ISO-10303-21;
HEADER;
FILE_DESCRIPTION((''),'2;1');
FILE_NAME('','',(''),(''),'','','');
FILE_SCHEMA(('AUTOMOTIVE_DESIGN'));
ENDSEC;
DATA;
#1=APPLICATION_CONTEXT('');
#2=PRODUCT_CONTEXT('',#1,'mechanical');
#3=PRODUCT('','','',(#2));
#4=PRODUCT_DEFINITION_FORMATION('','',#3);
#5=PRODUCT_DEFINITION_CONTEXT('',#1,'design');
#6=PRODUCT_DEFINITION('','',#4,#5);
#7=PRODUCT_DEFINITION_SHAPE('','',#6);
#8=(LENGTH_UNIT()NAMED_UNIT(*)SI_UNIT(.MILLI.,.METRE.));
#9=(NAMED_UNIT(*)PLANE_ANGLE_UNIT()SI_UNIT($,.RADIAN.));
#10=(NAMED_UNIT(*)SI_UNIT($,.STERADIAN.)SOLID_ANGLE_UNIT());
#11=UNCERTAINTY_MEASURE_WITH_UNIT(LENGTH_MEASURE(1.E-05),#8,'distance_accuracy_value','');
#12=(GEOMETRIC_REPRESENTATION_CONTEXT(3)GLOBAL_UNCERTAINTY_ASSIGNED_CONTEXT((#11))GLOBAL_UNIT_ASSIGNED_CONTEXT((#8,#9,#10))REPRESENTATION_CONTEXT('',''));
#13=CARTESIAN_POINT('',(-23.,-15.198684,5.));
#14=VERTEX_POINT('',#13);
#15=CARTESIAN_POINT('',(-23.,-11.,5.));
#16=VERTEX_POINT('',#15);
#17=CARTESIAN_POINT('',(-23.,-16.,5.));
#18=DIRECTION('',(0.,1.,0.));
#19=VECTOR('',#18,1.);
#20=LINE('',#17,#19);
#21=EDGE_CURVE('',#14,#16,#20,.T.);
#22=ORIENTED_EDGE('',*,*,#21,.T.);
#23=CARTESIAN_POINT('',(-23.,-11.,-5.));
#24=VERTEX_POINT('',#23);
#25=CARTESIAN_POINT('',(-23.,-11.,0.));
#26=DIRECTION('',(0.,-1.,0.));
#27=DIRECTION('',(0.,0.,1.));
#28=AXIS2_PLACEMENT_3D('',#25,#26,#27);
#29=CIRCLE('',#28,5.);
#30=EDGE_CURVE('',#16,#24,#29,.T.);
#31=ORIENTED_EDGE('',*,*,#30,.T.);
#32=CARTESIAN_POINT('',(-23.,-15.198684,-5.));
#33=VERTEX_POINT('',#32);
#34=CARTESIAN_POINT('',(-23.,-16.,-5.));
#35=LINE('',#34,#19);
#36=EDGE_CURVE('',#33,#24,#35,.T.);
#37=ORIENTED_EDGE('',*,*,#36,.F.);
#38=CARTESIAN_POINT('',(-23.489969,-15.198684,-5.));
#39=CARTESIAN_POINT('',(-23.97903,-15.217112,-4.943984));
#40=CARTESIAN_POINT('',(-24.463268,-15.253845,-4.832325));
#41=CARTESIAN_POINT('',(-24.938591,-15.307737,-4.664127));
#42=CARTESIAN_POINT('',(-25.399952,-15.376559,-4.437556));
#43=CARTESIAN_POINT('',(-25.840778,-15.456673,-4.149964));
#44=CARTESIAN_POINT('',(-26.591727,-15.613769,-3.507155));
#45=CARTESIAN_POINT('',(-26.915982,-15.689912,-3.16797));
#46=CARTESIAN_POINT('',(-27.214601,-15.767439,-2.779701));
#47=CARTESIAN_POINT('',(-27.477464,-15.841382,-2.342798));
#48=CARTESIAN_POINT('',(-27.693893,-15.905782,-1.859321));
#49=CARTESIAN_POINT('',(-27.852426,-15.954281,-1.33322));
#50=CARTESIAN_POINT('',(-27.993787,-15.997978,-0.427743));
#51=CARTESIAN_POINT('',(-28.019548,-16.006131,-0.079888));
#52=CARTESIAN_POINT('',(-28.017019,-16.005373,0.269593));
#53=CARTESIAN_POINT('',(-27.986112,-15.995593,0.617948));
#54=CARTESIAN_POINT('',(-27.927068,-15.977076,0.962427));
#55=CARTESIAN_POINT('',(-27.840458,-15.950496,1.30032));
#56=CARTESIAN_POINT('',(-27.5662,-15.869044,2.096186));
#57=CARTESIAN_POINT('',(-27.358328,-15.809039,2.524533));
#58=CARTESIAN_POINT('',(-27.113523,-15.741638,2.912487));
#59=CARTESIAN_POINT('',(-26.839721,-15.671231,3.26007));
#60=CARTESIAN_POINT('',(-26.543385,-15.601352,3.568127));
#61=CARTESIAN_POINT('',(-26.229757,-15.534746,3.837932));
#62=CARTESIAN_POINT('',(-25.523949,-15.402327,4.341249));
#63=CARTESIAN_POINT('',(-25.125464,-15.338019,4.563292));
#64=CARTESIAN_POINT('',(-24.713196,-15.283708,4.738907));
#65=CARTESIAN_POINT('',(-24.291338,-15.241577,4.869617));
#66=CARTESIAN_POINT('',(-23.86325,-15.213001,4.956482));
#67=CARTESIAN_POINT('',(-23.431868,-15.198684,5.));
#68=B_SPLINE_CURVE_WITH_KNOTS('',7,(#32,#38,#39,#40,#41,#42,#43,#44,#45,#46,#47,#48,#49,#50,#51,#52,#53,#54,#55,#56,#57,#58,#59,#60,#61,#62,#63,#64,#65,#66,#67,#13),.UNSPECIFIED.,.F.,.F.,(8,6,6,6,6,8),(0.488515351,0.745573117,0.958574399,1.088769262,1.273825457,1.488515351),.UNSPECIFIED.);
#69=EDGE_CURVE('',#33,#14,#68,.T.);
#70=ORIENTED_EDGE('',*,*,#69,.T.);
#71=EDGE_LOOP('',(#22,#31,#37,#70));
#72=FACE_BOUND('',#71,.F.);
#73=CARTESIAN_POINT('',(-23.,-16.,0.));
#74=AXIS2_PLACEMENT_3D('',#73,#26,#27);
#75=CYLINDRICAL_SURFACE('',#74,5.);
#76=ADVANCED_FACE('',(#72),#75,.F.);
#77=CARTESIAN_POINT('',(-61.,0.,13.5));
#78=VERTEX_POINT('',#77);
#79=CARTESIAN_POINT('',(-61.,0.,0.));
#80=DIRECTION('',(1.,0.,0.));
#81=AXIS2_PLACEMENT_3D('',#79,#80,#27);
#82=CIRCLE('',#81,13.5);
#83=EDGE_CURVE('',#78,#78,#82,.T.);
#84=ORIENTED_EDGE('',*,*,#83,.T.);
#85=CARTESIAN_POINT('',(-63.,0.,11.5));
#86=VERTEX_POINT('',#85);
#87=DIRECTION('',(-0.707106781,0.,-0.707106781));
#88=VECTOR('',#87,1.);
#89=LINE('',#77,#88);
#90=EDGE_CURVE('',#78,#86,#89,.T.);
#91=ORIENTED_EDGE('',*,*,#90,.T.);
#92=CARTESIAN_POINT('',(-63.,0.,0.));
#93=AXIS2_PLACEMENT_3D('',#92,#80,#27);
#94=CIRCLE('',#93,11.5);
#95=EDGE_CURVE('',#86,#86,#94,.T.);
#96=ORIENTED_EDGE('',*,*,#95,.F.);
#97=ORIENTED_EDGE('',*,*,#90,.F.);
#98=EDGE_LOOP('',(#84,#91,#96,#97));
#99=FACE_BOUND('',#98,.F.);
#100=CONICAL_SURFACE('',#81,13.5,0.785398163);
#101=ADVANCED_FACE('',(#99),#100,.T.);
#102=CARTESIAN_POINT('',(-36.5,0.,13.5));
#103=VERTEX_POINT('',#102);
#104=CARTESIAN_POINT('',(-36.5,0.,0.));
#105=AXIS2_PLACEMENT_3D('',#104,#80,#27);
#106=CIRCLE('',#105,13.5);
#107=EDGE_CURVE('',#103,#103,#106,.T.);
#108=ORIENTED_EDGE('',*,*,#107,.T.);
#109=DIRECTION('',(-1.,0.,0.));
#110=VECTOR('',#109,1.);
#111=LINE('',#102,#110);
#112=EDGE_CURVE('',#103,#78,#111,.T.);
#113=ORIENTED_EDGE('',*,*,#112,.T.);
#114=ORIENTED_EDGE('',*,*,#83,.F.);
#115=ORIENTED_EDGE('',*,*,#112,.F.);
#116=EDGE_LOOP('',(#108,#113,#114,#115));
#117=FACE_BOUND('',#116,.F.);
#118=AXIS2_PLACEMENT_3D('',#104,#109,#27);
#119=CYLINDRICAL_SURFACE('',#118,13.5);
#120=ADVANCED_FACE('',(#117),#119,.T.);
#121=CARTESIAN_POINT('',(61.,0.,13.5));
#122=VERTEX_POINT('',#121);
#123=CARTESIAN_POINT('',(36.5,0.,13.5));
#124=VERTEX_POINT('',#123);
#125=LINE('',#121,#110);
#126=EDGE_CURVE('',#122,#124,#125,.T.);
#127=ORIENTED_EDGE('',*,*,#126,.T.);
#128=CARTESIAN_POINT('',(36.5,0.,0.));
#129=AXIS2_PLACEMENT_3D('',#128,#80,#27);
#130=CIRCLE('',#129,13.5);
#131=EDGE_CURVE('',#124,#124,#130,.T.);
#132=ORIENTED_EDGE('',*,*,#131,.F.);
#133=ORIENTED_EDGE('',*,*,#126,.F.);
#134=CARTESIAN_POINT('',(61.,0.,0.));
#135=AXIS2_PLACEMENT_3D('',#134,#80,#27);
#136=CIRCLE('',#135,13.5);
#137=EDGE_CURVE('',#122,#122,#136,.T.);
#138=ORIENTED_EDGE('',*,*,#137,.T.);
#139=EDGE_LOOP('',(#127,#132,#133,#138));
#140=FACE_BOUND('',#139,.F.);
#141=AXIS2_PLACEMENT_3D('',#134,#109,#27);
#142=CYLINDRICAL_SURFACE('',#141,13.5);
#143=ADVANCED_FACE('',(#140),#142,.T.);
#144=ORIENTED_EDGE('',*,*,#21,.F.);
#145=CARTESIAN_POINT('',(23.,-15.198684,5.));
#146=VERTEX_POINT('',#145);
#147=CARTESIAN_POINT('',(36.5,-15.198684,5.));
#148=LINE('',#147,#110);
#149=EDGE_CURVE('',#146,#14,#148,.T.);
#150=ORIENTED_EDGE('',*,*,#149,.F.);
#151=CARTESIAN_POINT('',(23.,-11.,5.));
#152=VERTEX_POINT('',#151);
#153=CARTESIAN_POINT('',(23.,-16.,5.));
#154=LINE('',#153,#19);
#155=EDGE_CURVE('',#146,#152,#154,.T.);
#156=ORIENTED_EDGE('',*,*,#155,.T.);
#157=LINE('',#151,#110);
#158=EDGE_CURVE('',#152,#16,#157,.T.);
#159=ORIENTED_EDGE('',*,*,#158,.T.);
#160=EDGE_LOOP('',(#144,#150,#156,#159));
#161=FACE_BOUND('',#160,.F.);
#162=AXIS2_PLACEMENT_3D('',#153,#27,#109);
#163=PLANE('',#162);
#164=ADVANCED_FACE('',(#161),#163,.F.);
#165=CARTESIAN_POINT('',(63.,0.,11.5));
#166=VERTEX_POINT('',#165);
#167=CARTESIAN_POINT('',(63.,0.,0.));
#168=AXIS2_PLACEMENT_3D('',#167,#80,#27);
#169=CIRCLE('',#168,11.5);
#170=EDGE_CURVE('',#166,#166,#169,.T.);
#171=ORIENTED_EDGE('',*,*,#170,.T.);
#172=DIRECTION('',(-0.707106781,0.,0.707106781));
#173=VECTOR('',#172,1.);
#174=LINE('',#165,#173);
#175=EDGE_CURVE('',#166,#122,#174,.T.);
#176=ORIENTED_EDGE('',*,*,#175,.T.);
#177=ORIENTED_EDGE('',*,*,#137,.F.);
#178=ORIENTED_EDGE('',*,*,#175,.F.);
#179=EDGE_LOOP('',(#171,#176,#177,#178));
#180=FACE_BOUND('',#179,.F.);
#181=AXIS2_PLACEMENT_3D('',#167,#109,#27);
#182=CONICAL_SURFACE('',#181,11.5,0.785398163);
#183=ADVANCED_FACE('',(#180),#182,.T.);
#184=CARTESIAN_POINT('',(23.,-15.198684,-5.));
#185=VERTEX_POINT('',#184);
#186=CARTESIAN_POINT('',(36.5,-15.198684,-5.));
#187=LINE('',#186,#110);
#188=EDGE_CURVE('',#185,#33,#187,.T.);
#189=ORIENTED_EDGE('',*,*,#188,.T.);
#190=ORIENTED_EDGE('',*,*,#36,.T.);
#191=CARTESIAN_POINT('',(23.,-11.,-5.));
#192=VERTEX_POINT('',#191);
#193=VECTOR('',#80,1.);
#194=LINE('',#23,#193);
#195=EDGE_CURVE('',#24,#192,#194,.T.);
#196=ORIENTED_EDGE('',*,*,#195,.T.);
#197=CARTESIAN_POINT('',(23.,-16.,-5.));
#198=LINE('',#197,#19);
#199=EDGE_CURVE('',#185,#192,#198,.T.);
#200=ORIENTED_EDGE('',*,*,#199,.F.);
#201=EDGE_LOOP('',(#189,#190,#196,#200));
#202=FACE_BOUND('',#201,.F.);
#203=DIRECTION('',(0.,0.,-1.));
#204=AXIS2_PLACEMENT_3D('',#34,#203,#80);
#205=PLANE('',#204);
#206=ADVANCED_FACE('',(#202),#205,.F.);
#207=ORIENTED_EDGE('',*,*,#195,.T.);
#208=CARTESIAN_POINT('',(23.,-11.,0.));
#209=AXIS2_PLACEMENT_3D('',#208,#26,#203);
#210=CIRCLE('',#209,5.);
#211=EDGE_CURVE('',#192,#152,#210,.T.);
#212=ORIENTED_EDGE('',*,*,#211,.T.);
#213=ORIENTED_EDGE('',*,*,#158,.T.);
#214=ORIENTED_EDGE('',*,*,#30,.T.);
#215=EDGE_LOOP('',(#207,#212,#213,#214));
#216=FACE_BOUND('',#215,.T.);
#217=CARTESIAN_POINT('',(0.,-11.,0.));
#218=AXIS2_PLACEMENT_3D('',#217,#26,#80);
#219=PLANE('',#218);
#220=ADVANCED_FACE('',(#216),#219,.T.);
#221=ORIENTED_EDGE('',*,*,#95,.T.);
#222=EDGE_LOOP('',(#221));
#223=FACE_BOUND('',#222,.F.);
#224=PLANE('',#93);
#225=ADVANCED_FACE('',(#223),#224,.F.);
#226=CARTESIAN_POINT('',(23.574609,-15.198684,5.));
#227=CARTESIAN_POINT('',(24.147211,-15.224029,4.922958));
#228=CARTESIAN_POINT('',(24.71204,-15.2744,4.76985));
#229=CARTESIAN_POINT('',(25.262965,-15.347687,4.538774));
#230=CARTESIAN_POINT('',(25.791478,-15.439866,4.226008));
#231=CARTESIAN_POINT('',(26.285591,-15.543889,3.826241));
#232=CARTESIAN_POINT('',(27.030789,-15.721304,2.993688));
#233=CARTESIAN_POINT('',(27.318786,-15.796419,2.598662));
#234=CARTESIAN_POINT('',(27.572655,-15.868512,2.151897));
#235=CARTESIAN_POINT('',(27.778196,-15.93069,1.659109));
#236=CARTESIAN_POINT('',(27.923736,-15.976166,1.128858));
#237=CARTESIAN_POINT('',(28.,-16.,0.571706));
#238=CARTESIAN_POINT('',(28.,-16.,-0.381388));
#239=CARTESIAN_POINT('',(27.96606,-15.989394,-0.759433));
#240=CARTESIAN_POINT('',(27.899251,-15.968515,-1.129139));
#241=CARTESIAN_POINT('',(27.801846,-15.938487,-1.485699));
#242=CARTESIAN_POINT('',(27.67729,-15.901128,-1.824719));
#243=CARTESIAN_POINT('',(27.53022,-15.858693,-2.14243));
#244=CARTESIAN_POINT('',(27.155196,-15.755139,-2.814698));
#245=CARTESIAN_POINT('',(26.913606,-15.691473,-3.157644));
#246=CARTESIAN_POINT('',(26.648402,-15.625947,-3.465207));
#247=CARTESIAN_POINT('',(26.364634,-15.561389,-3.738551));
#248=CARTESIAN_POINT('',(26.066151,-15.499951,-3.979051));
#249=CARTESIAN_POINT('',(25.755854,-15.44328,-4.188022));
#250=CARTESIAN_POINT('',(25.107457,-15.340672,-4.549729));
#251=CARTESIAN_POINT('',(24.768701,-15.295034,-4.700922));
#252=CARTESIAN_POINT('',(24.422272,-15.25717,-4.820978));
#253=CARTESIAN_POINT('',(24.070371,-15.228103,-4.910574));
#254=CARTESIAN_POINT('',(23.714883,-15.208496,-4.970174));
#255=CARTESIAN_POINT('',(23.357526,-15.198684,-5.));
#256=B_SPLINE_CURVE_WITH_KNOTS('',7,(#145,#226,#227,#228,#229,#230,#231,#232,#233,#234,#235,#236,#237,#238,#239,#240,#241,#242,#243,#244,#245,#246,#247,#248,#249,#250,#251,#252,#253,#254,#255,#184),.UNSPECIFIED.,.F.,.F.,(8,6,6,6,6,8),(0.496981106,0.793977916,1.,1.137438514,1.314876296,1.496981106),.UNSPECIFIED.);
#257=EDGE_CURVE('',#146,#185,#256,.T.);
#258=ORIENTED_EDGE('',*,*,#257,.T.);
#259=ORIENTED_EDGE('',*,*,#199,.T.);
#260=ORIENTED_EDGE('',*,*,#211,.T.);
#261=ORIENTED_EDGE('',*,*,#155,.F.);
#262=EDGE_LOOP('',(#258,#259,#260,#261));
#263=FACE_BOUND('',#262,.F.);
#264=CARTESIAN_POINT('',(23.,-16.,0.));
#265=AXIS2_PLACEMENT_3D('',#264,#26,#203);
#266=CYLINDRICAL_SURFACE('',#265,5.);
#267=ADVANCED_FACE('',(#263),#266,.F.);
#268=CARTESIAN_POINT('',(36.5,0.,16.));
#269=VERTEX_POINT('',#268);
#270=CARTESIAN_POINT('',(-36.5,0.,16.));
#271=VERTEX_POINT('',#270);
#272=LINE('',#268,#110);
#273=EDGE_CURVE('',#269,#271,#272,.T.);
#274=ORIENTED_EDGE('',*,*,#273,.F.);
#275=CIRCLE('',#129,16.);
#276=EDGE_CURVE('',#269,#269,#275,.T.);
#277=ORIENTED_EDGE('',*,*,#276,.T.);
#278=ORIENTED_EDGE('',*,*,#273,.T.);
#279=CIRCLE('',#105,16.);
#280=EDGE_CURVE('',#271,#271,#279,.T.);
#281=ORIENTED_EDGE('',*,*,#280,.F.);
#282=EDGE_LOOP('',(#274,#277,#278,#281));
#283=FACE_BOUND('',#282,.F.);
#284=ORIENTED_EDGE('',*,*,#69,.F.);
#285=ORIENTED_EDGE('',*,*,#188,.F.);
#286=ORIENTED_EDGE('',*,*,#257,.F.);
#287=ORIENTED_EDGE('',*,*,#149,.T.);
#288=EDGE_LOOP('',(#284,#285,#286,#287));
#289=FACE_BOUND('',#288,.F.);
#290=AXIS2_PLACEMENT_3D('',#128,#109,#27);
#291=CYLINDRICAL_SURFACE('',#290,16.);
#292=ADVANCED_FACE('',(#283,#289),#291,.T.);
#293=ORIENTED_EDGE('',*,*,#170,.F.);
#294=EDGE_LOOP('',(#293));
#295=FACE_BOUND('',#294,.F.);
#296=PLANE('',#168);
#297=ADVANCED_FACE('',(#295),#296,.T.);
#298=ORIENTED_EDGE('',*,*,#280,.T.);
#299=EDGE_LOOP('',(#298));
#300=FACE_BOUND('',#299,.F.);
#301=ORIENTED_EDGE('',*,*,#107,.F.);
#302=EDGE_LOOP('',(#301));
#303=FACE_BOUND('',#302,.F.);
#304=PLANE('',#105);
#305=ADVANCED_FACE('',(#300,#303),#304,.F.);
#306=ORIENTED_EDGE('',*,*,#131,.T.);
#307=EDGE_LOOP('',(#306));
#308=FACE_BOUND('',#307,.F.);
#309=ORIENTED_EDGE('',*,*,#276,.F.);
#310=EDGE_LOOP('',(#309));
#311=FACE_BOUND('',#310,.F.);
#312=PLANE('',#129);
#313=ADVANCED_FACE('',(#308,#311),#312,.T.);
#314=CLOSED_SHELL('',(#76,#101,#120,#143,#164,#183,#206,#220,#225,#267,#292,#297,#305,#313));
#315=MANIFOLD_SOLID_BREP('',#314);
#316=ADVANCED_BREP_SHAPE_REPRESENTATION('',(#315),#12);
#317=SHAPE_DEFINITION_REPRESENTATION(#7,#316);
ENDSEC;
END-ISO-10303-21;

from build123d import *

# Parameters (mm, degrees)
F4_DEPTH = 5


with BuildPart() as f1:
    # F0 (on Front) → F1 (revolve)
    with BuildSketch(Plane.XZ):
        Polygon((36.5, 16), (0, 16), (-36.5, 16), (-36.5, 13.5), (-61, 13.5), (-63, 11.5), (-63, 0), (63, 0), (63, 11.5), (61, 13.5), (36.5, 13.5), align=None)
    revolve(axis=Axis((0, 0, 0), (1, 0, 0)))

    # F3 (on offset) → F4 (cut)
    with BuildSketch(Plane.XZ.offset(16)):
        with BuildLine():
            ThreePointArc((-23, 5), (-28, 0), (-23, -5))
            Line((-23, -5), (23, -5))
            ThreePointArc((23, -5), (28, 0), (23, 5))
            Line((23, 5), (-23, 5))
        make_face()
    extrude(amount=-F4_DEPTH, mode=Mode.SUBTRACT)


solid = f1.part
